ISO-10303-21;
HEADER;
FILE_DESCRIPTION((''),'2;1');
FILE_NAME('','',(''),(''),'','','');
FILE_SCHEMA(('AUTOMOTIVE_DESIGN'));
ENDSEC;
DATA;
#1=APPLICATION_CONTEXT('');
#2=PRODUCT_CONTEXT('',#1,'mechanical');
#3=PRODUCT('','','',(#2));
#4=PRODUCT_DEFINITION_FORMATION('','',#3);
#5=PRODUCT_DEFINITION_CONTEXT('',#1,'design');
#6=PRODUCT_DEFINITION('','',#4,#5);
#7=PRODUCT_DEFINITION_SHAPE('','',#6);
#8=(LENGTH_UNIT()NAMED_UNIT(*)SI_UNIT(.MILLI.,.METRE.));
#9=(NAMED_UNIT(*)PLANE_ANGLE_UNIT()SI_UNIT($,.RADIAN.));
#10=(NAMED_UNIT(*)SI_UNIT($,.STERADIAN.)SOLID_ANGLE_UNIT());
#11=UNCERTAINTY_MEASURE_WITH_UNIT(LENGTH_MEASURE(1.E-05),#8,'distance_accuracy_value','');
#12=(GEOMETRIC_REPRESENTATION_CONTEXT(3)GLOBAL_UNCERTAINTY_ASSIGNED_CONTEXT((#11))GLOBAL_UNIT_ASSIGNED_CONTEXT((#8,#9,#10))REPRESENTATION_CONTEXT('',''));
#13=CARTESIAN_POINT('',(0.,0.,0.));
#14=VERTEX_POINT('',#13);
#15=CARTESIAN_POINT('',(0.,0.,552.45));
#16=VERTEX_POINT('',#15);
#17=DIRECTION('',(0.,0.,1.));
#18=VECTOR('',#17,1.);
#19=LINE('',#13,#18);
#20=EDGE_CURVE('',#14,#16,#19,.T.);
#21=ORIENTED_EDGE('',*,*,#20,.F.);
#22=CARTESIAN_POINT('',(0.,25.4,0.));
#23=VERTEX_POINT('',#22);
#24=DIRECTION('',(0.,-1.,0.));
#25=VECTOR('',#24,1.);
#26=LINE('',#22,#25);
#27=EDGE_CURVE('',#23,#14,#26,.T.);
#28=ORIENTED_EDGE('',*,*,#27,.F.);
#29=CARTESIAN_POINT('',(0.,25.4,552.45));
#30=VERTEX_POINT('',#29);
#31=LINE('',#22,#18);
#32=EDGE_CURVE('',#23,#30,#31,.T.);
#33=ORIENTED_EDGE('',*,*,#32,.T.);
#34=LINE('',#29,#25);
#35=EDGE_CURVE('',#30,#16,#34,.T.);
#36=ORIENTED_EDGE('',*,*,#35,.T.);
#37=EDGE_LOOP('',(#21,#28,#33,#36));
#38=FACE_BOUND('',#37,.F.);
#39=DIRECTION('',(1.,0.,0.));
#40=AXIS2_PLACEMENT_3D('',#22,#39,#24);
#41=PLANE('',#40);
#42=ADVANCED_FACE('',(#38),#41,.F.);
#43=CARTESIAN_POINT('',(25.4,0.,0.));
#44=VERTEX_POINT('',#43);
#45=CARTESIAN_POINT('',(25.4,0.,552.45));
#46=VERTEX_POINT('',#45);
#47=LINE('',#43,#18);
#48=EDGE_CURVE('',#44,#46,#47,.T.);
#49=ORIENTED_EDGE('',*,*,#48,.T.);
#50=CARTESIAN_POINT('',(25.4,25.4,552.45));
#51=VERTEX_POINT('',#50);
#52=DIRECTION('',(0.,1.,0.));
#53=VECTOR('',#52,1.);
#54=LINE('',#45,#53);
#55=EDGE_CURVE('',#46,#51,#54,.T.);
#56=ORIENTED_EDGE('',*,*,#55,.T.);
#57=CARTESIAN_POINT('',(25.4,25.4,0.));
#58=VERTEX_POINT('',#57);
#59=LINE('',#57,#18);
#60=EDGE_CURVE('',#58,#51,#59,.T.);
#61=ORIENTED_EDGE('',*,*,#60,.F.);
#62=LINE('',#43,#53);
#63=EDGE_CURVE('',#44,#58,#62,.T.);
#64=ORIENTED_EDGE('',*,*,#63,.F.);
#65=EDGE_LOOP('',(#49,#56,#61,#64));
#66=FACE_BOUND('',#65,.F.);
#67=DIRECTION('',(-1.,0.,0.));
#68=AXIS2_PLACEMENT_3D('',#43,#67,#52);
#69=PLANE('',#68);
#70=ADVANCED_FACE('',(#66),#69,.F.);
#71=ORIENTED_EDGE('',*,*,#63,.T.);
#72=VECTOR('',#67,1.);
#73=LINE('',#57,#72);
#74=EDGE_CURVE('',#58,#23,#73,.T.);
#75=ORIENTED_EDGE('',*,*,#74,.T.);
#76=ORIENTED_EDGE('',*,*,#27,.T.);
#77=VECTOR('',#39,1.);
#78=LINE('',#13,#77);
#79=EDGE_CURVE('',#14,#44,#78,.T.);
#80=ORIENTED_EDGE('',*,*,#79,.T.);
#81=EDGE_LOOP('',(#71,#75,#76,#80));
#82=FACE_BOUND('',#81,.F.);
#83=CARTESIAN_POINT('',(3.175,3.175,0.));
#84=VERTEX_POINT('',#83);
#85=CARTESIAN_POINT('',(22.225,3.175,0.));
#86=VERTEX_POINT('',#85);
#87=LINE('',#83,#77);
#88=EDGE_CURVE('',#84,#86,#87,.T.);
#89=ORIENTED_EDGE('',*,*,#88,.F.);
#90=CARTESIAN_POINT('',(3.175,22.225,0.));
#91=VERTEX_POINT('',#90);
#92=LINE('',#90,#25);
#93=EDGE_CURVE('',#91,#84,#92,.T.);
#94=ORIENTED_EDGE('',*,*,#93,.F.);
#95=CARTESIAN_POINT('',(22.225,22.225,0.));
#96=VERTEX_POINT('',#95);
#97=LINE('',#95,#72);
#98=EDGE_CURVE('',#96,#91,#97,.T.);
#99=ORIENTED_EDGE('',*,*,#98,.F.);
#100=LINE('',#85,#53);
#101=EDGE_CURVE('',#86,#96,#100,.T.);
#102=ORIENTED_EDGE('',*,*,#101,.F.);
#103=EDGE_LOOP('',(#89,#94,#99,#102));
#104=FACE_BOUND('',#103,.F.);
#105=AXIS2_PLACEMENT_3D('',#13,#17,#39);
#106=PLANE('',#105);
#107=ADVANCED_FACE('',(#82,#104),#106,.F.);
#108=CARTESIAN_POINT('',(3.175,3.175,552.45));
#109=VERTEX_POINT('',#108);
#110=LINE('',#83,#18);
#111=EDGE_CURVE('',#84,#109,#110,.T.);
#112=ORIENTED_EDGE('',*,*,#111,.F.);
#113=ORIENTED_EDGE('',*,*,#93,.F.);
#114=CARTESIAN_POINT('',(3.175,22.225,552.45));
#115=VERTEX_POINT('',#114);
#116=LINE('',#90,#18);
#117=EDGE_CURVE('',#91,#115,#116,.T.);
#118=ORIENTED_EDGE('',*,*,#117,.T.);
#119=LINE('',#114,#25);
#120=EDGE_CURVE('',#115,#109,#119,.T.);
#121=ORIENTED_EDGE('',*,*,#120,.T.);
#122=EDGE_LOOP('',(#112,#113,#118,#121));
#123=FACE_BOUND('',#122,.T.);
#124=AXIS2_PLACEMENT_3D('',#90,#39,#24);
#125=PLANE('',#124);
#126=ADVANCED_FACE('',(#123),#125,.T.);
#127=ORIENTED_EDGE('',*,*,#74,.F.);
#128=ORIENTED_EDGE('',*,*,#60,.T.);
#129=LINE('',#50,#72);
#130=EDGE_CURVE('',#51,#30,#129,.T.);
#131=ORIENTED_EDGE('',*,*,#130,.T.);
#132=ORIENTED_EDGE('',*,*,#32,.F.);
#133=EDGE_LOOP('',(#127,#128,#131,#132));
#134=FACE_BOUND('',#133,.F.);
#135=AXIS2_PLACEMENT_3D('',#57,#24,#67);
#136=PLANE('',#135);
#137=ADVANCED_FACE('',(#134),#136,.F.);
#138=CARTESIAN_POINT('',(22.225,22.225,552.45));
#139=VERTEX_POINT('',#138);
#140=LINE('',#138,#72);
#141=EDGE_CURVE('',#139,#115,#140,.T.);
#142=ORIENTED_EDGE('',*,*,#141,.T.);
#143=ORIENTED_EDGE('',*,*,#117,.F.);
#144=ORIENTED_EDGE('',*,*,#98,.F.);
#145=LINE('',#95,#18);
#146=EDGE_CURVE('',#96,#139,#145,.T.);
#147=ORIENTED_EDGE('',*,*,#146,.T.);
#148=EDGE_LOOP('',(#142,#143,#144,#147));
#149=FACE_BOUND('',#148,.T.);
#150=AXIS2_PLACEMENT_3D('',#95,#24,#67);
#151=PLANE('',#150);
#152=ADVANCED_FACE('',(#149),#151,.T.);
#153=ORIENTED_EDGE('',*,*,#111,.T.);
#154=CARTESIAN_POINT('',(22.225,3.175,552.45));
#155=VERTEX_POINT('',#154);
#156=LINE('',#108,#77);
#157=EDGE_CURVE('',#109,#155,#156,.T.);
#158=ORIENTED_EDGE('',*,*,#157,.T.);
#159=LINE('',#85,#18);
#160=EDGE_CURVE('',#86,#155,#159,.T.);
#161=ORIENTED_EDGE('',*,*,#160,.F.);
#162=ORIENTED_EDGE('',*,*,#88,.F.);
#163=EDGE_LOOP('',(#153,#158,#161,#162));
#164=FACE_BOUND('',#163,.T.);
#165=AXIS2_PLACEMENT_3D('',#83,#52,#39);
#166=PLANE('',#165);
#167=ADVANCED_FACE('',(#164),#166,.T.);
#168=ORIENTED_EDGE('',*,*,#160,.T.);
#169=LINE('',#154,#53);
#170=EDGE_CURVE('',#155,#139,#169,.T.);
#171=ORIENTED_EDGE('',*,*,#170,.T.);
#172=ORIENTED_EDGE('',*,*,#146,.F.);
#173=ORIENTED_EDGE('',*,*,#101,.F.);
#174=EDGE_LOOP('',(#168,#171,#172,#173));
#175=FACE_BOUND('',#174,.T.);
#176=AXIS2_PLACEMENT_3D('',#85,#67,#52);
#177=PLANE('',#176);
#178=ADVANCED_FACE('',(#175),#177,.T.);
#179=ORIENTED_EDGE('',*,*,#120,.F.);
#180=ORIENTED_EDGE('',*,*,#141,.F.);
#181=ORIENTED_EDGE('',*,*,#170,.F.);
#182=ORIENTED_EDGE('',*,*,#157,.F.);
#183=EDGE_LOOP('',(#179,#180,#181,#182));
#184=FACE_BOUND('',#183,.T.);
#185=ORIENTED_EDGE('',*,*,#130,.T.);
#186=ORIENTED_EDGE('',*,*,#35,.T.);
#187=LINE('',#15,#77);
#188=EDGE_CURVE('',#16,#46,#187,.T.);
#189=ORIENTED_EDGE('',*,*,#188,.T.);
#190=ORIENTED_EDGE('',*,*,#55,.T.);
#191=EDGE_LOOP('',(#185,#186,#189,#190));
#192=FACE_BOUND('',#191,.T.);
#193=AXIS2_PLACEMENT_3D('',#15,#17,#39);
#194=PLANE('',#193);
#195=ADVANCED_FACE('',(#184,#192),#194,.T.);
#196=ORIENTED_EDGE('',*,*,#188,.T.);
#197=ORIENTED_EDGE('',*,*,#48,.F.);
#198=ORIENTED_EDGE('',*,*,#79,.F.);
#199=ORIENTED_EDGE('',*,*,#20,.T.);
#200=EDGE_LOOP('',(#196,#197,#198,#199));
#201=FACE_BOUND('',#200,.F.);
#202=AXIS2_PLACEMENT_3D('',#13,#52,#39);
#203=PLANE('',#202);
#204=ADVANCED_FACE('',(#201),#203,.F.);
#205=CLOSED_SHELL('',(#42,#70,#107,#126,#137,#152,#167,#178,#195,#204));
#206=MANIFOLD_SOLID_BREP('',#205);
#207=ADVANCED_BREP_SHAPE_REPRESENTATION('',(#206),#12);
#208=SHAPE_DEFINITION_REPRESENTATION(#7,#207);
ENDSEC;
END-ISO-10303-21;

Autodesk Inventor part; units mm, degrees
ref_plane "YZ Plane" through (0, 0, 0) normal (1, 0, 0) x (0, 1, 0)
ref_plane "XZ Plane" through (0, 0, 0) normal (0, 1, 0) x (-1, 0, 0)
ref_plane "XY Plane" through (0, 0, 0) normal (0, 0, 1) x (1, 0, 0)
sketch "Sketch1" plane through (0, 0, 0) normal (0, 0, 1) x (1, 0, 0)
  line L0 (0, 0) -> (25.4, 0)
  line L1 (25.4, 0) -> (25.4, 25.4)
  line L2 (25.4, 25.4) -> (0, 25.4)
  line L3 (0, 25.4) -> (0, 0)
  line L4 (3.175, 3.175) -> (22.225, 3.175)
  line L5 (22.225, 3.175) -> (22.225, 22.225)
  line L6 (22.225, 22.225) -> (3.175, 22.225)
  line L7 (3.175, 22.225) -> (3.175, 3.175)
  dimension "d0" = 25.4
  dimension "d1" = 25.4
  dimension "d2" = 3.175
  dimension "d3" = 3.175
  dimension "d4" = 3.175
  dimension "d5" = 3.175
extrude "Box Beam Profile" add sketch "Sketch1" along normal blind 552.45
properties part number "Side Box Tube" material "Aluminum 6061"
